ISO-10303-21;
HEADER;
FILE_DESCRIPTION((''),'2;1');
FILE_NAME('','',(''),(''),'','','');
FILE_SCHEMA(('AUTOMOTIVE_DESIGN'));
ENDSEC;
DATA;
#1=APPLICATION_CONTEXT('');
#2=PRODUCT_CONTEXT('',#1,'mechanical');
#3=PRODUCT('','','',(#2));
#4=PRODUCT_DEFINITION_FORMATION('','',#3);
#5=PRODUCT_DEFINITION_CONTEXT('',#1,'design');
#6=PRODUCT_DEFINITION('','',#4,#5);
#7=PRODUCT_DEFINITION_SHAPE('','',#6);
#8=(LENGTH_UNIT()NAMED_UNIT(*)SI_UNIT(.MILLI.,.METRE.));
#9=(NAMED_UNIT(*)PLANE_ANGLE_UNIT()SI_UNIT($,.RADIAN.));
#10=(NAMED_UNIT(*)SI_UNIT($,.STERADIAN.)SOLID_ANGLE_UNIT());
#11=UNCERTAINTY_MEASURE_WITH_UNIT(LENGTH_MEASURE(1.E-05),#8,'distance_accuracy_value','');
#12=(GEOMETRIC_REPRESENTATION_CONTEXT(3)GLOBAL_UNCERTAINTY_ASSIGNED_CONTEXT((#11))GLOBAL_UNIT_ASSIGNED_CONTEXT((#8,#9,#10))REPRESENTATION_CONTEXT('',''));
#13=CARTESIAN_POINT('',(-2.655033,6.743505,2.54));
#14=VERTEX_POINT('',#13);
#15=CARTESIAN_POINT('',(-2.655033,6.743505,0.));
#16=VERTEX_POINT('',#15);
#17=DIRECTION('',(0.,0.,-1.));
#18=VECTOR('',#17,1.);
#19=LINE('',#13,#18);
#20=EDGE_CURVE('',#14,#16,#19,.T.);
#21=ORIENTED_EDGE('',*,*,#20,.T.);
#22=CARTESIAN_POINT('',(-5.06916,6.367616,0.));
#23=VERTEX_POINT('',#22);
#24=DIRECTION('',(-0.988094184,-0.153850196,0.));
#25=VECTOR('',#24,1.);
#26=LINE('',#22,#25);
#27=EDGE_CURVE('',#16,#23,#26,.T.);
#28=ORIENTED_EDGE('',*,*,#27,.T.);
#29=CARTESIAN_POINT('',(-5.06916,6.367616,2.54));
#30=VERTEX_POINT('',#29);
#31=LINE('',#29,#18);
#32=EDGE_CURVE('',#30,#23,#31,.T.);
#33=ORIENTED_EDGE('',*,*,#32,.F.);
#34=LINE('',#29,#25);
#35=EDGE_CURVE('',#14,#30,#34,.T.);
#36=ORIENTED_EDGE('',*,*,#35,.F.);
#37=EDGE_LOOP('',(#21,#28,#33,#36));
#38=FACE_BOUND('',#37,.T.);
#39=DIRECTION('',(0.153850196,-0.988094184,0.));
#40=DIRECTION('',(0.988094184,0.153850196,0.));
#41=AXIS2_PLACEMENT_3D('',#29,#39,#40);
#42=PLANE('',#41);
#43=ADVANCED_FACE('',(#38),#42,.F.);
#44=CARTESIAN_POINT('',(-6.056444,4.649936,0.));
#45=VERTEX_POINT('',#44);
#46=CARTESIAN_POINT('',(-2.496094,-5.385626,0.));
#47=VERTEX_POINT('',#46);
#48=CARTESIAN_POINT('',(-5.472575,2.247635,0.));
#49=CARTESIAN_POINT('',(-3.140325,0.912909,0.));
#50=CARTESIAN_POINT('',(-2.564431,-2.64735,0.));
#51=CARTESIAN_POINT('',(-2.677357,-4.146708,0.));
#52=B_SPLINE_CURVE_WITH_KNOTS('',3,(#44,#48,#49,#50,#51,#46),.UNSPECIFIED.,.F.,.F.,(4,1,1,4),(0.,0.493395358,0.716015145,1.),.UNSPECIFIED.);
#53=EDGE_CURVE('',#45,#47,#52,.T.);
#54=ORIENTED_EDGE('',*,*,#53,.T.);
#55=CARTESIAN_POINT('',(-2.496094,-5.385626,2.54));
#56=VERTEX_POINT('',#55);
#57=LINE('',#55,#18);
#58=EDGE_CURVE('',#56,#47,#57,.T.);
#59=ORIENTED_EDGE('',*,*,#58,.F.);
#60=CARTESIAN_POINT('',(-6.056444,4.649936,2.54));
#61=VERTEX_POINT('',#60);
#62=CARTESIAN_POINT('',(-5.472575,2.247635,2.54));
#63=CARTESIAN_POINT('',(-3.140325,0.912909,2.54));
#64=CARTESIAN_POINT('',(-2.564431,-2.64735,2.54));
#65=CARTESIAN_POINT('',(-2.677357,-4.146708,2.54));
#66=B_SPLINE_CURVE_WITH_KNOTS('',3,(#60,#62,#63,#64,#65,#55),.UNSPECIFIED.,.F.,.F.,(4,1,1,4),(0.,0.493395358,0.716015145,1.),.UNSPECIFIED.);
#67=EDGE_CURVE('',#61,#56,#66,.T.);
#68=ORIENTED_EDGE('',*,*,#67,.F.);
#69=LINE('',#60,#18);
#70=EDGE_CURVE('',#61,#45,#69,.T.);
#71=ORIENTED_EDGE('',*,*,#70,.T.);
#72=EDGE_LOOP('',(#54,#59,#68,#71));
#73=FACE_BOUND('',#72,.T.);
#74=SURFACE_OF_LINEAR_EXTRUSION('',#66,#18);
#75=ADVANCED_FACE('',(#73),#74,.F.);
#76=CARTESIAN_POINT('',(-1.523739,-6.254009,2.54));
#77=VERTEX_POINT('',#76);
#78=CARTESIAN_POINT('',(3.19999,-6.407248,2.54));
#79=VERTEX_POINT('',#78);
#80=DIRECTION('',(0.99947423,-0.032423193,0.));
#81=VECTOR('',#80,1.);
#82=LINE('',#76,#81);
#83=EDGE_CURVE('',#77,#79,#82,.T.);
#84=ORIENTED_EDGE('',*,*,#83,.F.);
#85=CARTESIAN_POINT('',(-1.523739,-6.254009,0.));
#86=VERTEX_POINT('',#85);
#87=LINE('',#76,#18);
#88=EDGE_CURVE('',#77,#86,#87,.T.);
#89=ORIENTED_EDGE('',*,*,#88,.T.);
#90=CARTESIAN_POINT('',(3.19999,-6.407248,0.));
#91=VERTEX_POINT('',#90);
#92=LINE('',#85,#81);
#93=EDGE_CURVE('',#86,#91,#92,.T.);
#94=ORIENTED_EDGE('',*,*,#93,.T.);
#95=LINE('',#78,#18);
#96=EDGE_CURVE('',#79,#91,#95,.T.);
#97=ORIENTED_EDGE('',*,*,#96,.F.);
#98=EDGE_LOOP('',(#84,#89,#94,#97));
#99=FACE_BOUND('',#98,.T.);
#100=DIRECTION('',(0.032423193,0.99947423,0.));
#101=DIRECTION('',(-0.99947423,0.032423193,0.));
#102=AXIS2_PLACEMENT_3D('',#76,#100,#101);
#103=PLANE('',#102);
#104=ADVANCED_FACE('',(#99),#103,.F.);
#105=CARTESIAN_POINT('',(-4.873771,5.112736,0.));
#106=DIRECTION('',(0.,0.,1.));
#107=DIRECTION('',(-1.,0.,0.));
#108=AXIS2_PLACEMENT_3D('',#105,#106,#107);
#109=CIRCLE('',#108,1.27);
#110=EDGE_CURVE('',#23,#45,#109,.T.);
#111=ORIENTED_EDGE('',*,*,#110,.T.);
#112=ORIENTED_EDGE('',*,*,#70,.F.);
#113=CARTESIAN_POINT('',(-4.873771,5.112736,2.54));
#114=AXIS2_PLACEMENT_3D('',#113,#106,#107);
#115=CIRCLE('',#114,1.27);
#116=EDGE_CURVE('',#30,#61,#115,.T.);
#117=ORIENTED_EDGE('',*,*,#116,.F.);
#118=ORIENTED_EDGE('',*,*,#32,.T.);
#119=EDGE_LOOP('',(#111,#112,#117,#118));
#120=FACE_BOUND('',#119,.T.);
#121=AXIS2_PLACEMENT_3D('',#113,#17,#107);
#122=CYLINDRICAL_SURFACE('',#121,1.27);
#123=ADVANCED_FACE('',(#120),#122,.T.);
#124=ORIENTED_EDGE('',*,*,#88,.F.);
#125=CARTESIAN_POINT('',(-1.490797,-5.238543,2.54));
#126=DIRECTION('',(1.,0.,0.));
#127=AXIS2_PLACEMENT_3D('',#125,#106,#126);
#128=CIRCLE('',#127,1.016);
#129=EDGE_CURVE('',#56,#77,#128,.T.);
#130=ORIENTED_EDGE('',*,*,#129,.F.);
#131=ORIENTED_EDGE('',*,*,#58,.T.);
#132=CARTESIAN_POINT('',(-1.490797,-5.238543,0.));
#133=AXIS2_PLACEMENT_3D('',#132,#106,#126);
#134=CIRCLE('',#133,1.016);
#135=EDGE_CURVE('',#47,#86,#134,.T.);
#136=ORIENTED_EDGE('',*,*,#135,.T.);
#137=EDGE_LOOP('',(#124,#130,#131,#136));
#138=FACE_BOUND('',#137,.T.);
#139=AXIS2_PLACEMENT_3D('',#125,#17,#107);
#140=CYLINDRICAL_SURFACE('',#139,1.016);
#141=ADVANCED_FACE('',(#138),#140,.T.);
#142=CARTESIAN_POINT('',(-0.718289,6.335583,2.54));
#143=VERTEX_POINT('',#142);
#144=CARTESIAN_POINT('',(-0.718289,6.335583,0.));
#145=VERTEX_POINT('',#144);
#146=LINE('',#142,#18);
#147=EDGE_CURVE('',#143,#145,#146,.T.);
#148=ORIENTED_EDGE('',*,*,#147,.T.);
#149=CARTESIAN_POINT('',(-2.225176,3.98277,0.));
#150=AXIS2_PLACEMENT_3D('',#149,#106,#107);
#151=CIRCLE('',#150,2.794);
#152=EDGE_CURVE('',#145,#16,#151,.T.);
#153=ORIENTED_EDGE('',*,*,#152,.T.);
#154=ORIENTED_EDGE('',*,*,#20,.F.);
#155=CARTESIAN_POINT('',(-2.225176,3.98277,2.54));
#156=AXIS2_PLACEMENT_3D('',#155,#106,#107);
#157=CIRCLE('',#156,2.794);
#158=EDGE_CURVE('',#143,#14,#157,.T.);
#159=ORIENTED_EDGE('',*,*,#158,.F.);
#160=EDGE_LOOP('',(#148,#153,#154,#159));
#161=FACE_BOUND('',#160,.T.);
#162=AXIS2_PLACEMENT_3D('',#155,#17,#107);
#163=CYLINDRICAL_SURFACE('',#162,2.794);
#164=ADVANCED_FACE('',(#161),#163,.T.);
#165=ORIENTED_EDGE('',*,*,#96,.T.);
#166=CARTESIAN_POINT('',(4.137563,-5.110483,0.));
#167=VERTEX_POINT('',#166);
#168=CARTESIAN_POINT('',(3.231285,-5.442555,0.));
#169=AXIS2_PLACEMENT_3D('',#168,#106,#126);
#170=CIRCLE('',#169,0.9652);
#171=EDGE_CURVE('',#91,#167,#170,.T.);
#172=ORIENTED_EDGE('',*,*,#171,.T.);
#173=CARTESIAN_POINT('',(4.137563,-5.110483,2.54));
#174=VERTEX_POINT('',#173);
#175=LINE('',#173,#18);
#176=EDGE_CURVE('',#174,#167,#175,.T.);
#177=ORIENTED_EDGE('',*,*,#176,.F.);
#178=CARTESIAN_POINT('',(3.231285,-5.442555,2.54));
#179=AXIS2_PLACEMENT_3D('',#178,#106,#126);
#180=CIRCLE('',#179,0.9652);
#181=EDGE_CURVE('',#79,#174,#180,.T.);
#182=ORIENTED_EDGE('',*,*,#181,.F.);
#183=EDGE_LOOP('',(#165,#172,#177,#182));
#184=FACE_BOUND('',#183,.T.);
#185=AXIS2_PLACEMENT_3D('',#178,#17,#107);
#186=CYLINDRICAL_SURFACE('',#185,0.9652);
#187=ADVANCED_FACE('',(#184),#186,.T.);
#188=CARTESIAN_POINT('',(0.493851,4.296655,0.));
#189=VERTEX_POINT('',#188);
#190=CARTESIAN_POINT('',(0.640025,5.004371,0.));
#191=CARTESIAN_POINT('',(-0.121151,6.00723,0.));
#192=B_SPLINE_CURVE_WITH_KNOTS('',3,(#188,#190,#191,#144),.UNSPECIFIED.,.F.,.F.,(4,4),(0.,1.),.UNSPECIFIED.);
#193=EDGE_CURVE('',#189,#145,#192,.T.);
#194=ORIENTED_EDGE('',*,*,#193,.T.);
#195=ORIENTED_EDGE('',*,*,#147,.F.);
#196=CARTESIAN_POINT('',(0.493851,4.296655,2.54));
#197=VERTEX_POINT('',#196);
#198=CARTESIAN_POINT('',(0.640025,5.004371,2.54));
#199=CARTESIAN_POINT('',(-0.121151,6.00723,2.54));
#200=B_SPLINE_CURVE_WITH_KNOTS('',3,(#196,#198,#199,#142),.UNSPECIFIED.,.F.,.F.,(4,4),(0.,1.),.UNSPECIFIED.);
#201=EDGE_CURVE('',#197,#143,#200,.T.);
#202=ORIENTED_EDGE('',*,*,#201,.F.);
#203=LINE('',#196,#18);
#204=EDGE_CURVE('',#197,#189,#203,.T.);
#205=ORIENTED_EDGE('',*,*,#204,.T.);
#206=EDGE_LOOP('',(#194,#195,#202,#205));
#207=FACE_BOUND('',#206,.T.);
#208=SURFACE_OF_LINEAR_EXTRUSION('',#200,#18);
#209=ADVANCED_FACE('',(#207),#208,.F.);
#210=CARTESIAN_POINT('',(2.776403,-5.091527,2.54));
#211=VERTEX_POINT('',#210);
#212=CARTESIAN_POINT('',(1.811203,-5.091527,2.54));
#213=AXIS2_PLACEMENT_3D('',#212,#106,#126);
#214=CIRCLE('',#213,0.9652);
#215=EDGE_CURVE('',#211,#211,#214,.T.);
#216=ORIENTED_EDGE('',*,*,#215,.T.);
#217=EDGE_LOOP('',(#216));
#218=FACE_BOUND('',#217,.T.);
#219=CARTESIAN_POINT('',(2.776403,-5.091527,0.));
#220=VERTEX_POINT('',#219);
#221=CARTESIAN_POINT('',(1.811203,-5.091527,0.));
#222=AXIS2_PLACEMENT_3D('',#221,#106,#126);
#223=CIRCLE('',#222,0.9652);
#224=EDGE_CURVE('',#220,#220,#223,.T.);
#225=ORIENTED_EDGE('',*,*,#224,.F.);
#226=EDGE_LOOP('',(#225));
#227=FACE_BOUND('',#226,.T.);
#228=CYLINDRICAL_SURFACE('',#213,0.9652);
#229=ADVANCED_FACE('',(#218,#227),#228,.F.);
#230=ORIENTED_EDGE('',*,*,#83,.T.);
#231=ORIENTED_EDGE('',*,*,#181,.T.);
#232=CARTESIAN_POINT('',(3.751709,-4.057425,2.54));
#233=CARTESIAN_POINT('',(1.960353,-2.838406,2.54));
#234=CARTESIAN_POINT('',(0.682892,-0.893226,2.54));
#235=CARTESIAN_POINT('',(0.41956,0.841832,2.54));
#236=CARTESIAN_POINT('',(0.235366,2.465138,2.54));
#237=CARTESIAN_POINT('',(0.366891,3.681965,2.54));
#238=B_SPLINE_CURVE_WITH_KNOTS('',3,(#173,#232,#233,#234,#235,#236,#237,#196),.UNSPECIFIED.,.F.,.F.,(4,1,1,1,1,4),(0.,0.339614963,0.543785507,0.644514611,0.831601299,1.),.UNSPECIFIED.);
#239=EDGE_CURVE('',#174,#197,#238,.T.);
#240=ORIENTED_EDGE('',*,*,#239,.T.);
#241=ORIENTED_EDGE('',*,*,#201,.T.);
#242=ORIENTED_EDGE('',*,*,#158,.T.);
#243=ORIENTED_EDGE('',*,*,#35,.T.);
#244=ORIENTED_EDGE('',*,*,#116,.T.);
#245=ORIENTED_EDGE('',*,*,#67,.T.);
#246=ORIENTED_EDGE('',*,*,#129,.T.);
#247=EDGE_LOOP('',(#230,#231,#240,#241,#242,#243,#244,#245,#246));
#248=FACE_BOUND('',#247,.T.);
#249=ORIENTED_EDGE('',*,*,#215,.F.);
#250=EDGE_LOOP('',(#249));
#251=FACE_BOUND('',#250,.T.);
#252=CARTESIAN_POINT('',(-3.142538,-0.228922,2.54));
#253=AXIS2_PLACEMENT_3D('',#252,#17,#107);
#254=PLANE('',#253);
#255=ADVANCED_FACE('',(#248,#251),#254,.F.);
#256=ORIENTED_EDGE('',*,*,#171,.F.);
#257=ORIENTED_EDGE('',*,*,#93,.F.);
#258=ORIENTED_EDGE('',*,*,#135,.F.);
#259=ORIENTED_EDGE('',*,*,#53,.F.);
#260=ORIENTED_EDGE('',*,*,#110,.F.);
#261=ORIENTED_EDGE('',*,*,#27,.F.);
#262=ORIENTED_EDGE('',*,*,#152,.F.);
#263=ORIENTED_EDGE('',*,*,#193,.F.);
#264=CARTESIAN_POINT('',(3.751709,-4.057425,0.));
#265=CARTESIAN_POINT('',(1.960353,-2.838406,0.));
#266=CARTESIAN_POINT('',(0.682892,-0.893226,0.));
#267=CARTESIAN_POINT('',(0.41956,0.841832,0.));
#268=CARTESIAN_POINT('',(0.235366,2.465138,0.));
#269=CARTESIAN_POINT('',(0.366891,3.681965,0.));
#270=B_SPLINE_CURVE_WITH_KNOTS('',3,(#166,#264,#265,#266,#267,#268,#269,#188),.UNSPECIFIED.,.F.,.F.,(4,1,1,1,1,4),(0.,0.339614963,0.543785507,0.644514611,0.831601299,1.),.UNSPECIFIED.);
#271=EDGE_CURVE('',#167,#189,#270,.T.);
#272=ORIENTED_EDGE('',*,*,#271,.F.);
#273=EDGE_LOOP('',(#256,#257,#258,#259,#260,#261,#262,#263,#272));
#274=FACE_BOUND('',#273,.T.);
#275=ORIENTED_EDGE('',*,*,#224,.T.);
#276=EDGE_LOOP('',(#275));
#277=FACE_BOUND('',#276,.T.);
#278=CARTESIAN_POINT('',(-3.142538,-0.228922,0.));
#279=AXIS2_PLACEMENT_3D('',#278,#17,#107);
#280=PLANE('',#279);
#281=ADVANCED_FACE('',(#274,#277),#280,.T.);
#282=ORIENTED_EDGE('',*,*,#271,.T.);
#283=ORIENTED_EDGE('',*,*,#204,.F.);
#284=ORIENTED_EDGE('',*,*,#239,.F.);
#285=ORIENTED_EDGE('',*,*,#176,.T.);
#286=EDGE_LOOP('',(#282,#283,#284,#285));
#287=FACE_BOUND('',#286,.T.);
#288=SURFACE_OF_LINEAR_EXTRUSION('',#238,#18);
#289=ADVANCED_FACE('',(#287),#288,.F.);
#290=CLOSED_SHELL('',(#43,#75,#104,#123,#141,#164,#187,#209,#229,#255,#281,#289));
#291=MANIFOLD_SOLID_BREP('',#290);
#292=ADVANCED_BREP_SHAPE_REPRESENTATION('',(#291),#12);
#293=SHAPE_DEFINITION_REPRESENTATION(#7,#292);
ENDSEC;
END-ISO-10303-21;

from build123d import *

# Parameters (mm, degrees)
BOSS_EXTRUDE1_DEPTH         = 2.54
F_48_0_076_DIAMETER_HOLE1_D = 1.9304


with BuildPart() as part:
    # Sketch1 → Boss-Extrude1 (new body)
    with BuildSketch(Plane.XY):
        with BuildLine():
            Line((-1.523739013, -6.254008737), (3.199990263, -6.407247691))
            ThreePointArc((3.199990263, -6.407247691), (4.013460409, -6.008075165), (4.137562895, -5.110483411))
            add(Edge.make_bspline(
                [(4.137562895, -5.110483411), (3.751708737, -4.057424722), (1.960352922, -2.838406427), (0.682892057, -0.893226264), (0.419560202, 0.841832203), (0.235366214, 2.465138109), (0.366891085, 3.681965276), (0.493851252, 4.296654744)],
                knots=[0, 0, 0, 0, 0.339614963, 0.543785507, 0.644514611, 0.831601299, 1, 1, 1, 1], degree=3))
            add(Edge.make_bspline(
                [(-0.718288865, 6.33558287), (-0.121151201, 6.007229545), (0.640025429, 5.004370625), (0.493851252, 4.296654744)],
                knots=[0, 0, 0, 0, 1, 1, 1, 1], degree=3))
            ThreePointArc((-0.718288865, 6.33558287), (-1.649329968, 6.716784948), (-2.655033, 6.743505128))
            Line((-2.655033, 6.743505128), (-5.069160306, 6.367615902))
            ThreePointArc((-5.069160306, 6.367615902), (-5.974847558, 5.745610239), (-6.05644367, 4.64993578))
            add(Edge.make_bspline(
                [(-6.05644367, 4.64993578), (-5.472575235, 2.247634521), (-3.140324972, 0.9129092), (-2.564431384, -2.647350002), (-2.677357403, -4.146707908), (-2.496094371, -5.385625532)],
                knots=[0, 0, 0, 0, 0.493395358, 0.716015145, 1, 1, 1, 1], degree=3))
            ThreePointArc((-2.496094371, -5.385625532), (-2.167559601, -5.996334743), (-1.523739013, -6.254008737))
        make_face()
    extrude(amount=BOSS_EXTRUDE1_DEPTH)

    # #48 (0.076) Diameter Hole1 (through all)
    with Locations(Plane.XY.offset(2.54)):
        with Locations((1.811202951, -5.091527006)):
            Hole(F_48_0_076_DIAMETER_HOLE1_D / 2)


solid = part.part
